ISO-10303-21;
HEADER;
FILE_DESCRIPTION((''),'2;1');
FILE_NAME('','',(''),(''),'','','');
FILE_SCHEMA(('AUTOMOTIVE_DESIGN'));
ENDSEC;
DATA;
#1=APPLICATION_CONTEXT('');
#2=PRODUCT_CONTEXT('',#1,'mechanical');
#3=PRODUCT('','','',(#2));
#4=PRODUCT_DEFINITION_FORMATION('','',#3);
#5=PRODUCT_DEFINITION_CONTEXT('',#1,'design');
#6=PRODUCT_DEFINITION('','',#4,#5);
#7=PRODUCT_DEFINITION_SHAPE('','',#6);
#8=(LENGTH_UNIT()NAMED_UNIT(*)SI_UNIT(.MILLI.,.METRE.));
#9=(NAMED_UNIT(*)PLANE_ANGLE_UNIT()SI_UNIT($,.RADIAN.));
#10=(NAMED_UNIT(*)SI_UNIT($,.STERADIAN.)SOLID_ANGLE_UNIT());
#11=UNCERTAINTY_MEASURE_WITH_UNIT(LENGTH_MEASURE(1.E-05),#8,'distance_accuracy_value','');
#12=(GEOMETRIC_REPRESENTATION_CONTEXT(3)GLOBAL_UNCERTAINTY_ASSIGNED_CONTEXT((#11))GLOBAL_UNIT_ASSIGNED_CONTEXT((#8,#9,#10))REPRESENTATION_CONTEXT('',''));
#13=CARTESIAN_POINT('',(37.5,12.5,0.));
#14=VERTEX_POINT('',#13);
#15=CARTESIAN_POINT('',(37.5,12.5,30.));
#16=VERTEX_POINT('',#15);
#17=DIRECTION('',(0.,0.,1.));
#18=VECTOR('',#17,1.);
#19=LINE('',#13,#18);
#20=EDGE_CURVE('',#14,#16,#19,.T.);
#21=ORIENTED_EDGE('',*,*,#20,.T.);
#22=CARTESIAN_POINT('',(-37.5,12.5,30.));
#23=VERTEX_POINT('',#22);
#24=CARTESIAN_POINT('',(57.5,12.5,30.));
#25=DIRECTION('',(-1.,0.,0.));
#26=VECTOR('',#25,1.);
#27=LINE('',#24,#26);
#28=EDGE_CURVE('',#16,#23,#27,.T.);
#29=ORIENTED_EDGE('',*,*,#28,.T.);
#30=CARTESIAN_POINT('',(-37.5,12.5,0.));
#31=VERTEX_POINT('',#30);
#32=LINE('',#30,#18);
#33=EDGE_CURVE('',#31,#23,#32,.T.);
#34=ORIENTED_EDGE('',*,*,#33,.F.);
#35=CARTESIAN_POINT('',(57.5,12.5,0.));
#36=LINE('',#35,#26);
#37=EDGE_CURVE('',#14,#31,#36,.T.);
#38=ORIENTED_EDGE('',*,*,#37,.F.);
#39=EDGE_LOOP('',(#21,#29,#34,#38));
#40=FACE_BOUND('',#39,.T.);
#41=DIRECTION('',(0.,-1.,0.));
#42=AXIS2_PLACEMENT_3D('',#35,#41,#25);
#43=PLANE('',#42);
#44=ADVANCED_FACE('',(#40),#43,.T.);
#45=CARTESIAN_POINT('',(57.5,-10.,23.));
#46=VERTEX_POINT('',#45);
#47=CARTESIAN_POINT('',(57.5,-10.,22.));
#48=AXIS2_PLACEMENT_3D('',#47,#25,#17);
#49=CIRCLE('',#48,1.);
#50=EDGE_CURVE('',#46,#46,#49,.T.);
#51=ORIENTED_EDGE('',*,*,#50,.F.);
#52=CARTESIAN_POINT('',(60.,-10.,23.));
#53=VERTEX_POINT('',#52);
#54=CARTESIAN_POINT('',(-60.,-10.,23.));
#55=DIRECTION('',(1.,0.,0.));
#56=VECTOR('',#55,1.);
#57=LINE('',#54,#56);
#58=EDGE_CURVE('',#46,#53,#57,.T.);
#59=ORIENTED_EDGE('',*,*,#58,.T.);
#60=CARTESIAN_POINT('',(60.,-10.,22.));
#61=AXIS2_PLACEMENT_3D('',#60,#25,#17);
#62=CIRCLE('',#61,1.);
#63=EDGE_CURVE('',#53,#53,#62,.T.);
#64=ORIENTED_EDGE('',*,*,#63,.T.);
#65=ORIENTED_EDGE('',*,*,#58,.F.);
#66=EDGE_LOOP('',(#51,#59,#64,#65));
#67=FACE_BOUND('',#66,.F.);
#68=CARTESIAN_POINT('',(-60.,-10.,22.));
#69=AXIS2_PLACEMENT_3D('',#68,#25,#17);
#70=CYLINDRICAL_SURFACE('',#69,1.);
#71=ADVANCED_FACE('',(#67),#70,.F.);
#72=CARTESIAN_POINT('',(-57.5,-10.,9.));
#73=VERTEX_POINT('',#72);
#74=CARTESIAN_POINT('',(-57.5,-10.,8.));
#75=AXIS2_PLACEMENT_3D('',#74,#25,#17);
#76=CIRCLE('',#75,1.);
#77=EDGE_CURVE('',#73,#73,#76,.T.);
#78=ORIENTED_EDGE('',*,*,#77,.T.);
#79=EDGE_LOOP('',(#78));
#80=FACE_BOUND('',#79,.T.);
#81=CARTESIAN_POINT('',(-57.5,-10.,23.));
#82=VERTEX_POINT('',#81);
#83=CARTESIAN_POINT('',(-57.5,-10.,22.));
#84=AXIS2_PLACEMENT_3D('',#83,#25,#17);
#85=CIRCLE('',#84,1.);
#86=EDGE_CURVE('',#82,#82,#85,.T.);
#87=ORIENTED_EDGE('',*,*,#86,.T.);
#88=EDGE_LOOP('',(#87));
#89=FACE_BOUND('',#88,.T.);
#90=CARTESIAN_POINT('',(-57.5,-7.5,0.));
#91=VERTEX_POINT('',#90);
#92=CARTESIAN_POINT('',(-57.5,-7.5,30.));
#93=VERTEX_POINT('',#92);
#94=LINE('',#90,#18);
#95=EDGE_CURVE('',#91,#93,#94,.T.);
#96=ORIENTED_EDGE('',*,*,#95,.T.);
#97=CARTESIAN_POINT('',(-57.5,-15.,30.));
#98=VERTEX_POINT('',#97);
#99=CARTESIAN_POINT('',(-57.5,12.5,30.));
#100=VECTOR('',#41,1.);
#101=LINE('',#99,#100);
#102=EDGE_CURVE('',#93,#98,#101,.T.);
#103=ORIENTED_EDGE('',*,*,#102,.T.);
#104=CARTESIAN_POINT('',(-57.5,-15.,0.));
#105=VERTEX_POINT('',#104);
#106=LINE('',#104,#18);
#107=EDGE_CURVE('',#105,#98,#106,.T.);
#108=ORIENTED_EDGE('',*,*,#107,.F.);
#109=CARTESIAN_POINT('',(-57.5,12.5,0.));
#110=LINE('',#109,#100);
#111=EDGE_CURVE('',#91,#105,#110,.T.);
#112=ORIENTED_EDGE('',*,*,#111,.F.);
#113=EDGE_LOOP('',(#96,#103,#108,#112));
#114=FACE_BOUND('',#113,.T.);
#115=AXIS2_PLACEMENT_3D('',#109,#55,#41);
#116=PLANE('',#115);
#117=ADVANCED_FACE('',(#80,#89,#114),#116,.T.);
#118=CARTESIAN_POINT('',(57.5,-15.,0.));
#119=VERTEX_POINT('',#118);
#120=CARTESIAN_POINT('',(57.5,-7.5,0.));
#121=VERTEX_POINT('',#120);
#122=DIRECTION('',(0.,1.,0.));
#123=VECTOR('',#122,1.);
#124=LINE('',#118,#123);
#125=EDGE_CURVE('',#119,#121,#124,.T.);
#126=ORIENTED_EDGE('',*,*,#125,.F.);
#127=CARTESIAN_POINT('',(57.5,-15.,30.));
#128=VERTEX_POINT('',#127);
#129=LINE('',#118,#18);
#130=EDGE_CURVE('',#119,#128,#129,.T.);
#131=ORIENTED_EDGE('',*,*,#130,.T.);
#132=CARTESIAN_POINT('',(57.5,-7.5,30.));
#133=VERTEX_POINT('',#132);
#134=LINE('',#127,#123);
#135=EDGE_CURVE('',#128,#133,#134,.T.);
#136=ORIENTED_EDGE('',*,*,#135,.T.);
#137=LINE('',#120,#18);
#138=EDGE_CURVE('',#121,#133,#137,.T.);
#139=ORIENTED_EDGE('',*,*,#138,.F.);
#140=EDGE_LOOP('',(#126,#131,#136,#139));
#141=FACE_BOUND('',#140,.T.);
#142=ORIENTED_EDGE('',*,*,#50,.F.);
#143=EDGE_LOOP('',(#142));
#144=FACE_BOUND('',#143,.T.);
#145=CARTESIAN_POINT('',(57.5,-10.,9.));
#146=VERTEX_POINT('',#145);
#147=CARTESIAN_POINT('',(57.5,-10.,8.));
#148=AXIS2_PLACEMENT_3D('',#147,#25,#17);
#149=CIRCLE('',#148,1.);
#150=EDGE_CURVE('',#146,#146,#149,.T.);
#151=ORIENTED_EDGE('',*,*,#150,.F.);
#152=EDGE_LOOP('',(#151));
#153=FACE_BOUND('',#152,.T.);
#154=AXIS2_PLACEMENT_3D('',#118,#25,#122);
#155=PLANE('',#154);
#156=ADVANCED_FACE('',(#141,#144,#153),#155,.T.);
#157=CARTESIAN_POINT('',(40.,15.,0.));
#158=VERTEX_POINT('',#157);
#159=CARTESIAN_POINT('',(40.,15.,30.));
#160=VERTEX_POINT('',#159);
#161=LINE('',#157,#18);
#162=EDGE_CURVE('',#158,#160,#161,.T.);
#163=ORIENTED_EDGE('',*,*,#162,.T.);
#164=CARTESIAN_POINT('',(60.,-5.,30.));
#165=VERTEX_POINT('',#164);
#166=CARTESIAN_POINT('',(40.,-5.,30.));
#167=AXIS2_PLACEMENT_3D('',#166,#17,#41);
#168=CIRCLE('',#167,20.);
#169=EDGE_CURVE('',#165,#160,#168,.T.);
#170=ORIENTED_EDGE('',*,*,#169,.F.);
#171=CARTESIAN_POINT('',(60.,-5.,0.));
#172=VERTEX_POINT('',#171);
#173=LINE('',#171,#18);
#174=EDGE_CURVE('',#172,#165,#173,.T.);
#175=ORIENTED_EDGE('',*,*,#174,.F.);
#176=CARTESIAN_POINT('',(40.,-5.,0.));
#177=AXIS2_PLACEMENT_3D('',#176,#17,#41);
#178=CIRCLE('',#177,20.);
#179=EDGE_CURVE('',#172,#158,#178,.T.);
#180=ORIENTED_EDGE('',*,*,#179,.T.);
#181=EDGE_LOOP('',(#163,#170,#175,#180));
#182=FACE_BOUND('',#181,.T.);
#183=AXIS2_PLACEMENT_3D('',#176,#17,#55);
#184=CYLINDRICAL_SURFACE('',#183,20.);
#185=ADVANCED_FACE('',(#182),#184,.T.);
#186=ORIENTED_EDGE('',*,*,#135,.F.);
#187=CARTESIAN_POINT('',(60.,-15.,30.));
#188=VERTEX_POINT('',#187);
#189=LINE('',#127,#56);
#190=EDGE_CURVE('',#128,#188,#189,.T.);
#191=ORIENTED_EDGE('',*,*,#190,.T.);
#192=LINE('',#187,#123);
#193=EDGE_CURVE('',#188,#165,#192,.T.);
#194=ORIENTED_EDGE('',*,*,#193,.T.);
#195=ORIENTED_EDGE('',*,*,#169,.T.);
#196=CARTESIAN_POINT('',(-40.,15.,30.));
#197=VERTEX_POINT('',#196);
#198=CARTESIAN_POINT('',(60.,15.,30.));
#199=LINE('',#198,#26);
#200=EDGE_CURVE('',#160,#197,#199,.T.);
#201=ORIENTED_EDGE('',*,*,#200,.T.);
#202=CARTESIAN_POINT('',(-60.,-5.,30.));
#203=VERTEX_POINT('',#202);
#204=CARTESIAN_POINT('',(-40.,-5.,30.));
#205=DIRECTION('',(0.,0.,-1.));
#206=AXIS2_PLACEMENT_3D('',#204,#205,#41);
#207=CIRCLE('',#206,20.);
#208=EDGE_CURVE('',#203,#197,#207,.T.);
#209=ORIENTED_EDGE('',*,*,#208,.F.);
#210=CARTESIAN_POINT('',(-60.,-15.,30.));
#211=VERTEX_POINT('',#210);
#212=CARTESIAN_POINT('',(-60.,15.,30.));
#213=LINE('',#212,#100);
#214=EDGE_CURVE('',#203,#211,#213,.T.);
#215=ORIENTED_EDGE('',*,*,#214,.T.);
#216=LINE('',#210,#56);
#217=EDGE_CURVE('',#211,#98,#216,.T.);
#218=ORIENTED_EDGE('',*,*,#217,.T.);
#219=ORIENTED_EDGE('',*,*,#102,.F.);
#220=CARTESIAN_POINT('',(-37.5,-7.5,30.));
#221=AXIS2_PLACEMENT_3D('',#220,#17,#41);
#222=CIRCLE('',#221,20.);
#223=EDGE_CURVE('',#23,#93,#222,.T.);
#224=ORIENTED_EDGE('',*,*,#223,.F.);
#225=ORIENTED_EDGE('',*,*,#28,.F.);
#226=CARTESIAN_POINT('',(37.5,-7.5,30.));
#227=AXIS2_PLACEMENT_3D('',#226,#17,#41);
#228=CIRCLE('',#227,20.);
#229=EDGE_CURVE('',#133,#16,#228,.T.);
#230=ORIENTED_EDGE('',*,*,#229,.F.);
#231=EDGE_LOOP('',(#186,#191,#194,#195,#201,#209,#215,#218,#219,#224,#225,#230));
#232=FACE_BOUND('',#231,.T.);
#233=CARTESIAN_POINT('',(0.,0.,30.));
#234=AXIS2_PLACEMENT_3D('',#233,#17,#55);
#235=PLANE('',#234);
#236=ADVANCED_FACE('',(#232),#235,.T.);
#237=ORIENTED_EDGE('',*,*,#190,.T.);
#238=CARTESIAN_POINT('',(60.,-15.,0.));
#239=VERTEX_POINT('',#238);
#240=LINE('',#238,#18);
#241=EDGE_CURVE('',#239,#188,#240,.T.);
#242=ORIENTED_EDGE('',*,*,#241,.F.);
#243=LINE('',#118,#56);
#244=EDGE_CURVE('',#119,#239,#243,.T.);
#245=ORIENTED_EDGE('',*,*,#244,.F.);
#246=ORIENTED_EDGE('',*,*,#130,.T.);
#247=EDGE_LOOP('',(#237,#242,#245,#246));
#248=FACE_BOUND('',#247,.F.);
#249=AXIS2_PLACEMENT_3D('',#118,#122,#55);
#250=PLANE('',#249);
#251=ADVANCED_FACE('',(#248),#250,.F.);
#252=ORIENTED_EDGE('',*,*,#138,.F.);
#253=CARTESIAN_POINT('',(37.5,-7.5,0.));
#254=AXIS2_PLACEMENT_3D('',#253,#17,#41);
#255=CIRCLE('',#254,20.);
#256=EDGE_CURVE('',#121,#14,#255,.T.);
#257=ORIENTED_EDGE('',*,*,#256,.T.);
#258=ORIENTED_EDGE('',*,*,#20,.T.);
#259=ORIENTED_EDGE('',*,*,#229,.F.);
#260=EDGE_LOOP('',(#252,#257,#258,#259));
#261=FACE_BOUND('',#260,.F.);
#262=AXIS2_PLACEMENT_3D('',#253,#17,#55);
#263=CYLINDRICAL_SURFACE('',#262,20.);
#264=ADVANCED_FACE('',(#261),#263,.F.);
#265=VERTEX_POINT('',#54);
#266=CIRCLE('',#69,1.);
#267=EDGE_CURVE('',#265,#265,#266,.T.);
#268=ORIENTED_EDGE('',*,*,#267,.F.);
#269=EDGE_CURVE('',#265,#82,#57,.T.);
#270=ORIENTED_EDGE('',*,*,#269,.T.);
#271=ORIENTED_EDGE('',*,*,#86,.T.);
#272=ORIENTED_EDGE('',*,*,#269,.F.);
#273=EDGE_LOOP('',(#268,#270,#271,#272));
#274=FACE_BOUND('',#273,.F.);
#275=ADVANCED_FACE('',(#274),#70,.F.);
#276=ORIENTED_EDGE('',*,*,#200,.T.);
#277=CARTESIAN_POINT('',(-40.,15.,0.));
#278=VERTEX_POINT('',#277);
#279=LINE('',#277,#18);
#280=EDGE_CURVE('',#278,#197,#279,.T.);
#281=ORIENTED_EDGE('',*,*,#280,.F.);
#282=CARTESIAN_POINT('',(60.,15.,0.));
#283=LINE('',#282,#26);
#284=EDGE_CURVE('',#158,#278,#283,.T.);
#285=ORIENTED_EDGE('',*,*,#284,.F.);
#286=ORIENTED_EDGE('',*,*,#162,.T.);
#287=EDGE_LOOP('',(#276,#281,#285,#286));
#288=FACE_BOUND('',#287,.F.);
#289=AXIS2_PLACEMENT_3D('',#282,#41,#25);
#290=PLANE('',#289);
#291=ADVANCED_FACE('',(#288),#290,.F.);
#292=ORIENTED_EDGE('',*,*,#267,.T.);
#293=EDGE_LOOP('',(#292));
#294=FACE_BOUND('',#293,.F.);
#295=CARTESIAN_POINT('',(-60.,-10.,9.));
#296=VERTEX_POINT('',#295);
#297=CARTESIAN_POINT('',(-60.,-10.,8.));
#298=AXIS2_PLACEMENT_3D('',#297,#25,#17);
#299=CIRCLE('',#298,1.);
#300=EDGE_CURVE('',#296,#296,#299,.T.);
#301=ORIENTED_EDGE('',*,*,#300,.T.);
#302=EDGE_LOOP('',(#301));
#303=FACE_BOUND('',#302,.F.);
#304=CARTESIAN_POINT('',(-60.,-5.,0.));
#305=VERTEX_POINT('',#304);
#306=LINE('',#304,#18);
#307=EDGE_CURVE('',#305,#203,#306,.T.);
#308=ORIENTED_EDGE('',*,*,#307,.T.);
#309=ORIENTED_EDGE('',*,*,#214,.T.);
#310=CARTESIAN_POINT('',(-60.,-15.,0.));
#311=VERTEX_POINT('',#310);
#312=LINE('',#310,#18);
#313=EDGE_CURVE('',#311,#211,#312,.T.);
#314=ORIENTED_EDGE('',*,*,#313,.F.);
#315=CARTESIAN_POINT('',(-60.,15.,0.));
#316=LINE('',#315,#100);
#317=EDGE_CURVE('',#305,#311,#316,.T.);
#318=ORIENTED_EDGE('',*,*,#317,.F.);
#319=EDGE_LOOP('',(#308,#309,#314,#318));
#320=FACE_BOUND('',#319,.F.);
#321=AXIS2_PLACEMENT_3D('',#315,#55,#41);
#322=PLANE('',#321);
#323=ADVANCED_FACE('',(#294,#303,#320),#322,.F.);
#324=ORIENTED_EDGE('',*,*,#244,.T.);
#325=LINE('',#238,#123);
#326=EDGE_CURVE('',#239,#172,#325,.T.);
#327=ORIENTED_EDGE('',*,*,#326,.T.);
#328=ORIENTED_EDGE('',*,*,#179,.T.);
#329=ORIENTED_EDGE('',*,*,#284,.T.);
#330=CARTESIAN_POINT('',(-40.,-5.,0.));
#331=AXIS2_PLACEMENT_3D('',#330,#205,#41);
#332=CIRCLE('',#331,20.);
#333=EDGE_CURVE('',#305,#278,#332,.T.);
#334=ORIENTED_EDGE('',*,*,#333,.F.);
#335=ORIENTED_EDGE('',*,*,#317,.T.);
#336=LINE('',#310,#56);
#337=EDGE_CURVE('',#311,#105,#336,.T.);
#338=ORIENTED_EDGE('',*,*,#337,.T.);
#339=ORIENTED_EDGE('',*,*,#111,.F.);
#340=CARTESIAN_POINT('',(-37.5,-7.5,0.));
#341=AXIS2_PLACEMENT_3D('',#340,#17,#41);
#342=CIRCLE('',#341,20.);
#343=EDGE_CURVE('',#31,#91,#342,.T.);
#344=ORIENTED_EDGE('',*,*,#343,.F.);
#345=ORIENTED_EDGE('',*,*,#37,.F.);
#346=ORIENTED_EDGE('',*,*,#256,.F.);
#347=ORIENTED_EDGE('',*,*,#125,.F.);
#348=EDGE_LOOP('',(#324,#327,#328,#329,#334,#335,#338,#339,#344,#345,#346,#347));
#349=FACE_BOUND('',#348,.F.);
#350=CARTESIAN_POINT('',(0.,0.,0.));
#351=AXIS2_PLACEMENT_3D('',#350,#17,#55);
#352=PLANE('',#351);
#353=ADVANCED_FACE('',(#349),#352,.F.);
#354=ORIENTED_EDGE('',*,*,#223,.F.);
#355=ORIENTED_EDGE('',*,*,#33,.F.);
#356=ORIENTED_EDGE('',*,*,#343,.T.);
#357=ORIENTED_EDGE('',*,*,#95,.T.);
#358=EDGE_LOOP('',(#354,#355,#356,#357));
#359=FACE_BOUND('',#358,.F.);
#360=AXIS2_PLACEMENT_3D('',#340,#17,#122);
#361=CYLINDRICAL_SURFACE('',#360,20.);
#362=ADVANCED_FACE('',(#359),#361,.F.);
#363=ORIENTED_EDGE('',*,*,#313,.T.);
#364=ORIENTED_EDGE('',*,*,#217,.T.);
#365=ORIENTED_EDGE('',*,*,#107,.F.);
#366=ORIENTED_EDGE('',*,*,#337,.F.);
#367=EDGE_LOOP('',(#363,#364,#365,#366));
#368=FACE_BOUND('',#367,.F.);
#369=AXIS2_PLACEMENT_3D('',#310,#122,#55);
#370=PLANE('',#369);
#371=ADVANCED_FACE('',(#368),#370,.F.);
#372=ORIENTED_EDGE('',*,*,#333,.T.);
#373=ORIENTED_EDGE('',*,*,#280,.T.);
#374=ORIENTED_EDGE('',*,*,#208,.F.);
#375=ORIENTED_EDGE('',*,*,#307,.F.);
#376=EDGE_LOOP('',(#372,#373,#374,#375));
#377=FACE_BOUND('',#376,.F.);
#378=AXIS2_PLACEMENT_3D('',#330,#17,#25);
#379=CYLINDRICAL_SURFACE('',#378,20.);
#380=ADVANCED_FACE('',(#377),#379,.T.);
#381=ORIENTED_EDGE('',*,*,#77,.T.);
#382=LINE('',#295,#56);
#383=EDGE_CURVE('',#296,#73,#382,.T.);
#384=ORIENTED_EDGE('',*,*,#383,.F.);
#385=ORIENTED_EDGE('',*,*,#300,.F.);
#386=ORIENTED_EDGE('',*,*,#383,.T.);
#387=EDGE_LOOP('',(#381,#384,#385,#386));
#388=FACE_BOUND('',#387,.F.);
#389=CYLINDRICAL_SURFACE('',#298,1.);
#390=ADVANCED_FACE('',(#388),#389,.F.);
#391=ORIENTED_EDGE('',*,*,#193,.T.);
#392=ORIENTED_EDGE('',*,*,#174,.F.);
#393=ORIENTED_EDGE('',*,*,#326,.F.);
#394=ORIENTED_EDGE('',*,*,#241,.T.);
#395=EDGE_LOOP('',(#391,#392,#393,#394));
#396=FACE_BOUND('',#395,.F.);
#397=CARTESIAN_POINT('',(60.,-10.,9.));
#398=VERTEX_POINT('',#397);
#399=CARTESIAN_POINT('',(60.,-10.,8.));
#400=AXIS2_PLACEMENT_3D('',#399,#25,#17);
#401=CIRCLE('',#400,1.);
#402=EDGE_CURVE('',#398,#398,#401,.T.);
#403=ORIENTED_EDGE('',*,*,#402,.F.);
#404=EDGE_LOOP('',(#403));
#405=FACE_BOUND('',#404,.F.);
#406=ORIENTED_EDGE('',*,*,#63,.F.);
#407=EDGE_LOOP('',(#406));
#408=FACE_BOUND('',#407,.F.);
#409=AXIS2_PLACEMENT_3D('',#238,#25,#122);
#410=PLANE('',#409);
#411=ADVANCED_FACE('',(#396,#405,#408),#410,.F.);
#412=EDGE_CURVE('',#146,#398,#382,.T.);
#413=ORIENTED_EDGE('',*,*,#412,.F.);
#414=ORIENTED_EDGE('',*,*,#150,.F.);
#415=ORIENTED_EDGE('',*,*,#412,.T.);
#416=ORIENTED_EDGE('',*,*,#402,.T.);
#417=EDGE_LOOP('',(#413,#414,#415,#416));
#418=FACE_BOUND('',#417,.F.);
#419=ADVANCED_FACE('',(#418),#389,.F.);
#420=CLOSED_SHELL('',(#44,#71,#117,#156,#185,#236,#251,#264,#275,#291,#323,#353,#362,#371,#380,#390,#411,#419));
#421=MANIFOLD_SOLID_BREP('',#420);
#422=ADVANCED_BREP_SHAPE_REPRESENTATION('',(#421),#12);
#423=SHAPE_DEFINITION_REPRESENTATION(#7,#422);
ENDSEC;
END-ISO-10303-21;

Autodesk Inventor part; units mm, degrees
ref_plane "YZ Plane" through (0, 0, 0) normal (1, 0, 0) x (0, 1, 0)
ref_plane "XZ Plane" through (0, 0, 0) normal (0, 1, 0) x (-1, 0, 0)
ref_plane "XY Plane" through (0, 0, 0) normal (0, 0, 1) x (1, 0, 0)
sketch "Sketch1" plane through (0, 0, 0) normal (0, 0, 1) x (1, 0, 0)
  line L0 (60, 15) -> (-60, 15)
  line L1 (-60, 15) -> (-60, -15)
  line L2 (60, -15) -> (60, 15)
  line L3 (60, 15) -> (-60, -15) construction
  line L4 (-60, 15) -> (60, -15) construction
  line L5 (57.5, 12.5) -> (-57.5, 12.5)
  line L6 (-57.5, 12.5) -> (-57.5, -15)
  line L7 (57.5, -15) -> (57.5, 12.5)
  line L8 (-60, -15) -> (-57.5, -15)
  line L9 (57.5, -15) -> (60, -15)
  point P0 (0, 0)
  dimension "d0" = 120
  dimension "d1" = 30
extrude "Extrusion1" add sketch "Sketch1" along normal blind 30
fillet "Fillet1" radius 20 4 edges at (60, 15, 15) (-60, 15, 15) (-57.5, 12.5, 15) (57.5, 12.5, 15)
sketch "Sketch2" plane through (-60, -15, 0) normal (-1, 0, 0) x (0, 0, 1)
  line L0 (33.379, 5) -> (-9.3676, 5) construction
  line L1 (0, 0) -> (30, 0) projected
  line L2 (22, 36.2118) -> (22, -4.5967) construction
  line L3 (8, 36.2118) -> (8, -2.8739) construction
  line L4 (30, 10) -> (30, 0) construction
  line L5 (0, 10) -> (0, 0) construction
  circle A0 centre (22, 5) radius 1
  circle A1 centre (8, 5) radius 1
  point P0 (0, 15)
  dimension "d7" = 5
  dimension "d8" = 8
  dimension "d9" = 8
  dimension "d10" = 2
  dimension "d11" = 2
extrude "Extrusion2" cut sketch "Sketch2" against normal blind 120
equation "\"d8\" = d9"
properties part number "Bumper"
